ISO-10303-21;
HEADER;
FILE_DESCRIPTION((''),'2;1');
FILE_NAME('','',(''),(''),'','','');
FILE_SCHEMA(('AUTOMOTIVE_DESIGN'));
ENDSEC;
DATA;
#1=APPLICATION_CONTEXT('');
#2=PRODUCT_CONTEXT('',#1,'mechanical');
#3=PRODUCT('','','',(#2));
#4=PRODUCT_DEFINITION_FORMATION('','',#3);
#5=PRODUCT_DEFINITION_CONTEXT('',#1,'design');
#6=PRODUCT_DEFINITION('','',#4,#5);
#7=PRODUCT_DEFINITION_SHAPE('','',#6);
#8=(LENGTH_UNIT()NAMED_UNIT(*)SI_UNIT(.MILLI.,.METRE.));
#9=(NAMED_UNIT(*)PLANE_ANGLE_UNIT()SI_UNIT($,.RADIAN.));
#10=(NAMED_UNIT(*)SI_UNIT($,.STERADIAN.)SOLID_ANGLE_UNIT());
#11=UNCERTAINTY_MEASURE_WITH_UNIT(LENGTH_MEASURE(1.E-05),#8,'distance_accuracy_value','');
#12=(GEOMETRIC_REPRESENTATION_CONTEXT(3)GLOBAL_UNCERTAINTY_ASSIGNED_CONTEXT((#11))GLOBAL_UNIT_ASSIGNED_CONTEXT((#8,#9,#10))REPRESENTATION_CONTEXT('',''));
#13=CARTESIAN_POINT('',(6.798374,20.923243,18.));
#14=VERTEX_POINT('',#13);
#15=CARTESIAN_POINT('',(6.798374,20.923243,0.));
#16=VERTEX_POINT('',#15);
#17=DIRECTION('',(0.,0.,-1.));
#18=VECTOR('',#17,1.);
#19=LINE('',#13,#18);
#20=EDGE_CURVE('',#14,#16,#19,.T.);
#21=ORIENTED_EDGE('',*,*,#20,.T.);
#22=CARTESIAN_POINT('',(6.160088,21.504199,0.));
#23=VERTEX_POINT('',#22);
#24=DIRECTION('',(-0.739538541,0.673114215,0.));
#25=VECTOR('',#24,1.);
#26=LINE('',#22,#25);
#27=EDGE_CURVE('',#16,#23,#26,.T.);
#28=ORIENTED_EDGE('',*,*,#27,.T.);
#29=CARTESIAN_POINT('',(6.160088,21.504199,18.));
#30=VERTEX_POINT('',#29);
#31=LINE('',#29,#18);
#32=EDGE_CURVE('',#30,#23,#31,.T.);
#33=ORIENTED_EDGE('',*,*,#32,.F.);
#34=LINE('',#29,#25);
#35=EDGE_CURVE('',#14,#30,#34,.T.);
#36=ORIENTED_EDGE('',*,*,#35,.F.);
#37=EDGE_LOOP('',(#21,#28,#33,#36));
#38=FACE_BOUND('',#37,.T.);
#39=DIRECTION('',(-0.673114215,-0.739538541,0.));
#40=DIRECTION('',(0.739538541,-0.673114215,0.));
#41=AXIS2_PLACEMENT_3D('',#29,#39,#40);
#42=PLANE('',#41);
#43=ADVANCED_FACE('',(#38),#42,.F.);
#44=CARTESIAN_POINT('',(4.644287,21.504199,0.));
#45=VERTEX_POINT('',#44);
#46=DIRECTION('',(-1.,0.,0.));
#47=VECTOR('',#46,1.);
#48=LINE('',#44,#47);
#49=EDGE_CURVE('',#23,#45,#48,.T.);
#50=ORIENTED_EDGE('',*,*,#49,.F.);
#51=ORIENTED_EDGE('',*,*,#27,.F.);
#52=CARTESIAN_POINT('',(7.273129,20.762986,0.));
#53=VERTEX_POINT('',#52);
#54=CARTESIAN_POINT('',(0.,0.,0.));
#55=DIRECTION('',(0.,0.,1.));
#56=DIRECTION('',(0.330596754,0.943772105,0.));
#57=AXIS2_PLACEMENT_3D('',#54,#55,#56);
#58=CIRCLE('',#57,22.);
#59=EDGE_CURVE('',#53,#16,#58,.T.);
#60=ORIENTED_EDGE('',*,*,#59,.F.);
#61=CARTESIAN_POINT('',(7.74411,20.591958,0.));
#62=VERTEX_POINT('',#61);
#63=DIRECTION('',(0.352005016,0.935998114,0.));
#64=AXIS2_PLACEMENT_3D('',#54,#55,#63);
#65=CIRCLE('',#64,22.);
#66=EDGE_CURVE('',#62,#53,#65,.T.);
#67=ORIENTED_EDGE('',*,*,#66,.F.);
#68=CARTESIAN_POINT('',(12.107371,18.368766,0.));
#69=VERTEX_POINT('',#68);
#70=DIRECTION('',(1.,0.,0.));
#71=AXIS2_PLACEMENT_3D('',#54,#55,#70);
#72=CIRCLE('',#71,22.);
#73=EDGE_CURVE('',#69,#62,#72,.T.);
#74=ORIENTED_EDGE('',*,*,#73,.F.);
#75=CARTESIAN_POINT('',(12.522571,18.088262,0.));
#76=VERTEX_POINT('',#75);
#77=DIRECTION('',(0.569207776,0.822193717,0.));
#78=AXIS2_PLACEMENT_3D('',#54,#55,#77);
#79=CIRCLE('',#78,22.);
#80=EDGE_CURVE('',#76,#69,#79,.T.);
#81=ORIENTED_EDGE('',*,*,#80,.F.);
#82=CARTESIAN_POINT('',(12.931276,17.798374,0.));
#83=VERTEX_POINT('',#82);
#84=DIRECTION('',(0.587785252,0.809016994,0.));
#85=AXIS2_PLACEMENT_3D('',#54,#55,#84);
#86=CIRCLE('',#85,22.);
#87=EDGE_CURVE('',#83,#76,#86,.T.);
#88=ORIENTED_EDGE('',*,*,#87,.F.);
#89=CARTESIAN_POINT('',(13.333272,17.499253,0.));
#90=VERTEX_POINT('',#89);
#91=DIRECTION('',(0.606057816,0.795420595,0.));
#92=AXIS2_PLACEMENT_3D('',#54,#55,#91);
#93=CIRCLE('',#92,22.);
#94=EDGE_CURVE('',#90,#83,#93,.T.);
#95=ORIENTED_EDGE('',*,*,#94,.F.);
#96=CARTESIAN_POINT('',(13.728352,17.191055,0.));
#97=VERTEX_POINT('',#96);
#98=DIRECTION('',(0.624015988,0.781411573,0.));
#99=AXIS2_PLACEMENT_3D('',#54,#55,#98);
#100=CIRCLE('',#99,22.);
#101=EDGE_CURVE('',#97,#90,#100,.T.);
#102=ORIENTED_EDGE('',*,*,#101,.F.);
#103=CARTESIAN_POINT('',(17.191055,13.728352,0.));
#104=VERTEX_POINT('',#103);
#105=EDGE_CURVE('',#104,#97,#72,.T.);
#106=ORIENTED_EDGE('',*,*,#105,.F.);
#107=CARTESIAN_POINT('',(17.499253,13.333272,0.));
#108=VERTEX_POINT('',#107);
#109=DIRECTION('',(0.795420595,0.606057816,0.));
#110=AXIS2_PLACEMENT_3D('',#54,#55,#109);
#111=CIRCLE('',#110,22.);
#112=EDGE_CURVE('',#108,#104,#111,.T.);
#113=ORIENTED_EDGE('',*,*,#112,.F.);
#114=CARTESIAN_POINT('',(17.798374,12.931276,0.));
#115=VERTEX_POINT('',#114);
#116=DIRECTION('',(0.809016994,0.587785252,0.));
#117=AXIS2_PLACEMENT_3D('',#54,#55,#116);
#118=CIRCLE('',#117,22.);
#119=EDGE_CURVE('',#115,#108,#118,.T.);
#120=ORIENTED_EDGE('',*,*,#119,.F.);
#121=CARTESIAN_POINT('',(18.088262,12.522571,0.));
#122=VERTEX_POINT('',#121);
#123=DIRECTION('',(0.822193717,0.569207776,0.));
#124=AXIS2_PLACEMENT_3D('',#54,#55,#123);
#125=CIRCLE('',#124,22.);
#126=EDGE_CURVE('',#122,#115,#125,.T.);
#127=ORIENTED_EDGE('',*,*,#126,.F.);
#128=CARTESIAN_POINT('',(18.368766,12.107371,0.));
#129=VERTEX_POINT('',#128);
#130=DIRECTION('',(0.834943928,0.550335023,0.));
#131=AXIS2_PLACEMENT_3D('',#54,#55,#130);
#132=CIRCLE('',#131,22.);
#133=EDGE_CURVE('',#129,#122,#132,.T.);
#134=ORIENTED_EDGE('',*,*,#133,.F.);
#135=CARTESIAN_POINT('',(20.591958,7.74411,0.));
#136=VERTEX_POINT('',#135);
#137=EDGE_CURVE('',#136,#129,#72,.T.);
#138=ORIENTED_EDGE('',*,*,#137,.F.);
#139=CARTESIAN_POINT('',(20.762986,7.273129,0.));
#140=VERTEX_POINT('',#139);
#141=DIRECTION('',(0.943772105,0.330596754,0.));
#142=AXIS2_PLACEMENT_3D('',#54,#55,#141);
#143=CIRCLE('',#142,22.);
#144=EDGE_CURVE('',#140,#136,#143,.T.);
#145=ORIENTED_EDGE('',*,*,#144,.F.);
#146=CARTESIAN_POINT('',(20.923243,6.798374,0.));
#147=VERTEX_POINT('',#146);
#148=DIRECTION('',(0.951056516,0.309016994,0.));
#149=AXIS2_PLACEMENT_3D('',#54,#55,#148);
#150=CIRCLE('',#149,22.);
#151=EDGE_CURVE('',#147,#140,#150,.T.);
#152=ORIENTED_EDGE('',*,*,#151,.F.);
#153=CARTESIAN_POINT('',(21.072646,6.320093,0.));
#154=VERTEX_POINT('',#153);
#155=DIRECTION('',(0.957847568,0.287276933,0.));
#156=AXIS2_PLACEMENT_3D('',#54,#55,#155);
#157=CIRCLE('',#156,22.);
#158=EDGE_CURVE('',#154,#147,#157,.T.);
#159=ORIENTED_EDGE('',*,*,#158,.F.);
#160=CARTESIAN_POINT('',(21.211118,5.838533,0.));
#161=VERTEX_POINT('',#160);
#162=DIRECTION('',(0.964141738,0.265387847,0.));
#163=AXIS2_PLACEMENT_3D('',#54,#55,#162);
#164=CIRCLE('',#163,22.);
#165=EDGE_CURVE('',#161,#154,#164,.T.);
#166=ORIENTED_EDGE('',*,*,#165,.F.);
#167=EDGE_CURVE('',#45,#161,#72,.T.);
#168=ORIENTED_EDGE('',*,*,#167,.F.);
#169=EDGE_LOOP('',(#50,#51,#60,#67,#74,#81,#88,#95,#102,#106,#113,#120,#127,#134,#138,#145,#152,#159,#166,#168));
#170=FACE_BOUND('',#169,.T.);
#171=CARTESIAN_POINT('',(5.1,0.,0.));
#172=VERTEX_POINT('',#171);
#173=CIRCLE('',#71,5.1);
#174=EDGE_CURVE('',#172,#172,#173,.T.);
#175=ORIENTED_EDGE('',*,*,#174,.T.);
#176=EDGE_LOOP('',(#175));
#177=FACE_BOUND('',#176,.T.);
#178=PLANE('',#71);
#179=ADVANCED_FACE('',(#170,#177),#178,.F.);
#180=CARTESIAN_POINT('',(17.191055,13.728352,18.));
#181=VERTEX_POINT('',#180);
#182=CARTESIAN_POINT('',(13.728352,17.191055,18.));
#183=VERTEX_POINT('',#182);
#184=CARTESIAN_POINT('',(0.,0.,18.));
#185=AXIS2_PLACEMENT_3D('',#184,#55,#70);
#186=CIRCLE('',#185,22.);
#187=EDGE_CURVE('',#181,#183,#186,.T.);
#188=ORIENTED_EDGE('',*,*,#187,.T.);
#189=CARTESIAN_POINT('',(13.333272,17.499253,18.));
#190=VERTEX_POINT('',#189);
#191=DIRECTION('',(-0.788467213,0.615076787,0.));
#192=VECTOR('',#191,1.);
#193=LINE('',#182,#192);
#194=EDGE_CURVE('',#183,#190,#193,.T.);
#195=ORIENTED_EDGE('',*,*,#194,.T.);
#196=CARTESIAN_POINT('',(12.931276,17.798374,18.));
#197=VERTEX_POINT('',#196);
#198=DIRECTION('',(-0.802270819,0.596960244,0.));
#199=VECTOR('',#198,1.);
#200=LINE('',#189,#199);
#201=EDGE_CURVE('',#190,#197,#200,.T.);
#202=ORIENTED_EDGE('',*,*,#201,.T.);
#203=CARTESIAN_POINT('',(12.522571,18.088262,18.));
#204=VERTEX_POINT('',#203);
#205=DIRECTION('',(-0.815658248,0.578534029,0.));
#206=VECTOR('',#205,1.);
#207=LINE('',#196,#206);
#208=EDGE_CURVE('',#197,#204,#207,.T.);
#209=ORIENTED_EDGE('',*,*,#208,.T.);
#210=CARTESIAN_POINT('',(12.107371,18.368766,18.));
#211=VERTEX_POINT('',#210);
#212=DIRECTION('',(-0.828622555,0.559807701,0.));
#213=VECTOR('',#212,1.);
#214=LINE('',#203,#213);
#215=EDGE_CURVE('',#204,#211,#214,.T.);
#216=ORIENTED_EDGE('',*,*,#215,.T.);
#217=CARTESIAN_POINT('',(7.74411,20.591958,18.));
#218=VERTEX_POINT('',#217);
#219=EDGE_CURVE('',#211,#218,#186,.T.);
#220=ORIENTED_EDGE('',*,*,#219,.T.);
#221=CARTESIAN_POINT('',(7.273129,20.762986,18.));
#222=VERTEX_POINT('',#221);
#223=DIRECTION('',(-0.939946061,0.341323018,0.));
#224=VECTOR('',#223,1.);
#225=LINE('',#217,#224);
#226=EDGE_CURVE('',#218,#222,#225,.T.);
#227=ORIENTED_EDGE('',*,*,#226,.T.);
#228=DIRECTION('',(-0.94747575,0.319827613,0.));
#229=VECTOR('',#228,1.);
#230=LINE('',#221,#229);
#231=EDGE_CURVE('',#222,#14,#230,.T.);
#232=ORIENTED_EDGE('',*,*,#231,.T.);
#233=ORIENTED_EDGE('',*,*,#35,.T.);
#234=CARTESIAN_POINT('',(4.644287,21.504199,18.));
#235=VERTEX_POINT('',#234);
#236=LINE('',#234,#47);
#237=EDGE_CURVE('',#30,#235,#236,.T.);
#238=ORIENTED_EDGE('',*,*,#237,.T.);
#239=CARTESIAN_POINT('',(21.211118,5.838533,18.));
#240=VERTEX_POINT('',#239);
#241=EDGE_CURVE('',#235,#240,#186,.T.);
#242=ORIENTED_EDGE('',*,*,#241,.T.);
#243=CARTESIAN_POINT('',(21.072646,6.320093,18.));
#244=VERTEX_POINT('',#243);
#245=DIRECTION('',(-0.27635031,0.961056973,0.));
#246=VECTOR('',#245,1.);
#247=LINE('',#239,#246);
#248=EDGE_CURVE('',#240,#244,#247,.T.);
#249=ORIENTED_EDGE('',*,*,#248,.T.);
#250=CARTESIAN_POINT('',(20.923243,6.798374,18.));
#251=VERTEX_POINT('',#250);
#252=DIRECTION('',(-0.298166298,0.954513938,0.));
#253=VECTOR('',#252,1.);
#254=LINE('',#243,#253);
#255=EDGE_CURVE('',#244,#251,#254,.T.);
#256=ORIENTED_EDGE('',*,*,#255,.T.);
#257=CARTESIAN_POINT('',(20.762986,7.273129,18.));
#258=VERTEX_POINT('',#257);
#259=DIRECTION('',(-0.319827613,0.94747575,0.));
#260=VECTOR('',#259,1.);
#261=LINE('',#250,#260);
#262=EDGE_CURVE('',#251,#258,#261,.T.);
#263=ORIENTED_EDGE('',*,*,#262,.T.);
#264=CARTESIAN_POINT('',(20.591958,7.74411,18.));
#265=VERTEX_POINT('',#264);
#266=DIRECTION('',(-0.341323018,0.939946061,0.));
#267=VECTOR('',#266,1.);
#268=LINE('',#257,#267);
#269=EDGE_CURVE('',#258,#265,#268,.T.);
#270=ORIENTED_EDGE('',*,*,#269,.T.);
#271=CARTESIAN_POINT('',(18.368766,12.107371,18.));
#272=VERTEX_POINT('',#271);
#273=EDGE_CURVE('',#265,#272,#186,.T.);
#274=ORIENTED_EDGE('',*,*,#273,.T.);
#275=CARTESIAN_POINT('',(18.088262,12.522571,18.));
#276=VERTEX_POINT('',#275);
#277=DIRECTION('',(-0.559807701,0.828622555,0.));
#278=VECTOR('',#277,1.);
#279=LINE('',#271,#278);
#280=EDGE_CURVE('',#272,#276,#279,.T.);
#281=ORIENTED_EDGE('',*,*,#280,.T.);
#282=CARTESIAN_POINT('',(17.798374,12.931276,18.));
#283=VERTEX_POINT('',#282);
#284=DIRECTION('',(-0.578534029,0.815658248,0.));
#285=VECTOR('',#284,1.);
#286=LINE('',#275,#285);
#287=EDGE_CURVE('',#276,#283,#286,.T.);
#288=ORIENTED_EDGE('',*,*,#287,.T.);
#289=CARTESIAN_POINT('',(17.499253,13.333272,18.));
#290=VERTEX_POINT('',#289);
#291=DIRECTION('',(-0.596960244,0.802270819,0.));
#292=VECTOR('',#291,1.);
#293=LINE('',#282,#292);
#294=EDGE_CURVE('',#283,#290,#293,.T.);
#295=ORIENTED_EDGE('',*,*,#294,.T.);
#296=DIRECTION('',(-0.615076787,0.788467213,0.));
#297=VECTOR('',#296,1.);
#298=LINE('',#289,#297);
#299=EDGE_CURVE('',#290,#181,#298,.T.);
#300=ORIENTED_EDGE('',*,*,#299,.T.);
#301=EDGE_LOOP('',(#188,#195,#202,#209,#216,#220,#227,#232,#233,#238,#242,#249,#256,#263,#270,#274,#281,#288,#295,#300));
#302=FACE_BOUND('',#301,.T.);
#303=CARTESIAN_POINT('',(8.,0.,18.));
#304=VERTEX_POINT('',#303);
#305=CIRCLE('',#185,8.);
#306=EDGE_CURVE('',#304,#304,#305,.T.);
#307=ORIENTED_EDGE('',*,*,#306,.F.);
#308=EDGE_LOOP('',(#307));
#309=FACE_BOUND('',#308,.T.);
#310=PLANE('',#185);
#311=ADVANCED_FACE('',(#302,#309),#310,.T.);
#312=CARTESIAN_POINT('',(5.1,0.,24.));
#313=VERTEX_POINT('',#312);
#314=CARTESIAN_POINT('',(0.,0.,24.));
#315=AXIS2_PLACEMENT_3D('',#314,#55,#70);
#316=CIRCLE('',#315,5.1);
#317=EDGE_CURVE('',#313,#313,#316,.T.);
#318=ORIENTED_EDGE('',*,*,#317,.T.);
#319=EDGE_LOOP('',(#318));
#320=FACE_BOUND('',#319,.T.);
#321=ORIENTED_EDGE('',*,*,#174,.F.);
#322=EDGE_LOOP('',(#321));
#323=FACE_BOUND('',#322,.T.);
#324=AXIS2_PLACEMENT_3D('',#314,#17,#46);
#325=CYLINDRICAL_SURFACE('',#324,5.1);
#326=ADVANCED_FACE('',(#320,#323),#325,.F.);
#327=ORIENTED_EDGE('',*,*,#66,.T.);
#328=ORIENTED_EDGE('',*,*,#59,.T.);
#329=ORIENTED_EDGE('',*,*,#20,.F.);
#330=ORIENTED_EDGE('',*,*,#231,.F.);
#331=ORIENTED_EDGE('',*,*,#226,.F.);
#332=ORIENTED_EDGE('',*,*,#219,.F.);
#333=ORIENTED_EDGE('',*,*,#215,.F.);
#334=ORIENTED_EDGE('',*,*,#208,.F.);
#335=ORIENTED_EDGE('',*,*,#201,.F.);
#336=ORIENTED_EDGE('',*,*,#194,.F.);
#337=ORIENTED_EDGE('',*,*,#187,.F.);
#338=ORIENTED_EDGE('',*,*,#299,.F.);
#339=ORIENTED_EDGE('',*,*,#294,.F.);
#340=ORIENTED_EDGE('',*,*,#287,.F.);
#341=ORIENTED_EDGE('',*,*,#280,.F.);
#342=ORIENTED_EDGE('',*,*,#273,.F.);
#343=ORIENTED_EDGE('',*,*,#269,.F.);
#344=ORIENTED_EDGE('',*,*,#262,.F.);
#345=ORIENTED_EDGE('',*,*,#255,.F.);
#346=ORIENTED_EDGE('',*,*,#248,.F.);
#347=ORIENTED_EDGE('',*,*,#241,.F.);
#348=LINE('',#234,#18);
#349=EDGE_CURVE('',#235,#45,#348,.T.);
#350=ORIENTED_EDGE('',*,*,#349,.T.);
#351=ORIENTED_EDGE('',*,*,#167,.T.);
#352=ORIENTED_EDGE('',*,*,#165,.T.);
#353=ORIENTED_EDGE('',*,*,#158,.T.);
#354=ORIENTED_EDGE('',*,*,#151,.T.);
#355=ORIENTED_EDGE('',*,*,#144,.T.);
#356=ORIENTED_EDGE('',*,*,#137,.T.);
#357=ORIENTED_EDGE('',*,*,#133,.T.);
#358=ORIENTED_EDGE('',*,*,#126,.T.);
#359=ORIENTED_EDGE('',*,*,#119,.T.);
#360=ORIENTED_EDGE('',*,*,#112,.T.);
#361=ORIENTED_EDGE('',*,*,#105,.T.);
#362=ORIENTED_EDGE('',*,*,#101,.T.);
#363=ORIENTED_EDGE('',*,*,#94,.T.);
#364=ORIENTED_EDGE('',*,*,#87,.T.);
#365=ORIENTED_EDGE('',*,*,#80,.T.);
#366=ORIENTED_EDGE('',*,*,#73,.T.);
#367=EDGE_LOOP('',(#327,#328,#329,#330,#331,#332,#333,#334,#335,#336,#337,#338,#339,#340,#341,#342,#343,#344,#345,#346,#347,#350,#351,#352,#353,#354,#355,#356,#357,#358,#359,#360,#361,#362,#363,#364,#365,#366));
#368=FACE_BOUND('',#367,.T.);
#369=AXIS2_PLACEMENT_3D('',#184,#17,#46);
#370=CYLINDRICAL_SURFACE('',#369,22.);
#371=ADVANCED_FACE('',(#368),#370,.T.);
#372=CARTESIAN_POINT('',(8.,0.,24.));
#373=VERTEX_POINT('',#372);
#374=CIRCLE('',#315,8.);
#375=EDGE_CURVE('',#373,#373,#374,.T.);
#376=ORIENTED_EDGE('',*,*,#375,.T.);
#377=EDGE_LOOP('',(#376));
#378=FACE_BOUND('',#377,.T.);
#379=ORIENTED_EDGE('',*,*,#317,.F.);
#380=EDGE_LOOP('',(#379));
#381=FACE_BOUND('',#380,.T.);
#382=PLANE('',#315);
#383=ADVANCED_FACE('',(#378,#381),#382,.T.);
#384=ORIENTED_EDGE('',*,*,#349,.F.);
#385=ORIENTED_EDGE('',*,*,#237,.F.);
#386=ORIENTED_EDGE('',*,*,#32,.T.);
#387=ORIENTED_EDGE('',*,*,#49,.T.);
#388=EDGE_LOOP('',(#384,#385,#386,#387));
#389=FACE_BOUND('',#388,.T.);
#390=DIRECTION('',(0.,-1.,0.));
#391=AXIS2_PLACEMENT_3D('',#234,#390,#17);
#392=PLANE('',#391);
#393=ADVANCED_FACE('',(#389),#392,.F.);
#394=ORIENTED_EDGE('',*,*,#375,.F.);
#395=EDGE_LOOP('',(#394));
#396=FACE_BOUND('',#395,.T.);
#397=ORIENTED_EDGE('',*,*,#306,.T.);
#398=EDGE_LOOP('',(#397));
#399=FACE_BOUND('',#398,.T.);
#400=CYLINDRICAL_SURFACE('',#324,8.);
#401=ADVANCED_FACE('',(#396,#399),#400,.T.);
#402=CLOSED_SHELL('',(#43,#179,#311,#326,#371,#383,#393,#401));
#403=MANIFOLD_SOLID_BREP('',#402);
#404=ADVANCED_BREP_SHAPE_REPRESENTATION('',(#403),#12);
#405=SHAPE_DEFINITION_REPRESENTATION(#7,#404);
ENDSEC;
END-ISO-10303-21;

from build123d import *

# Parameters (mm, degrees)
SKETCH_1_R      = 8
SKETCH_1_R_2    = 5.1
EXTRUDE_1_DEPTH = 24
SKETCH_1_2_R    = 8
SKETCH_1_2_R_2  = 5.1
EXTRUDE_2_DEPTH = 24
SKETCH_2_R      = 22
SKETCH_2_R_2    = 8
EXTRUDE_3_DEPTH = 18
EXTRUDE_5_DEPTH = 18
EXTRUDE_6_DEPTH = 18
EXTRUDE_7_DEPTH = 18
EXTRUDE_8_DEPTH = 18


with BuildPart() as part:
    # 草图1 → 凸台-拉伸1 (new body)
    with BuildSketch(Plane.XY):
        Circle(SKETCH_1_R)
        Circle(SKETCH_1_R_2, mode=Mode.SUBTRACT)
    extrude(amount=EXTRUDE_1_DEPTH)

    # 草图1<2> → 凸台-拉伸2 (add)
    with BuildSketch(Plane.XY):
        Circle(SKETCH_1_2_R)
        Circle(SKETCH_1_2_R_2, mode=Mode.SUBTRACT)
    extrude(amount=EXTRUDE_2_DEPTH)

    # 草图2 → 凸台-拉伸3 (add)
    with BuildSketch(Plane.XY):
        Circle(SKETCH_2_R)
        Circle(SKETCH_2_R_2, mode=Mode.SUBTRACT)
    extrude(amount=EXTRUDE_3_DEPTH)

    # 草图4 → 凸台-拉伸5 (add)
    with BuildSketch(Plane.XY):
        with BuildLine():
            Line((16.379966987, 6.160087784), (20.591958498, 7.744110358))
            Line((20.591958498, 7.744110358), (20.762986314, 7.27312858))
            Line((20.762986314, 7.27312858), (20.923243358, 6.798373876))
            Line((20.923243358, 6.798373876), (21.072646499, 6.320092525))
            Line((21.072646499, 6.320092525), (21.211118232, 5.838532635))
            Line((21.211118232, 5.838532635), (16.872480412, 4.644287323))
            ThreePointArc((16.872480412, 4.644287323), (16.643489035, 5.407797402), (16.379966987, 6.160087784))
        make_face()
    extrude(amount=EXTRUDE_5_DEPTH)

    # 草图5 → 凸台-拉伸6 (add)
    with BuildSketch(Plane.XY):
        with BuildLine():
            Line((13.674702527, 10.920279795), (17.191054606, 13.728351742))
            Line((17.191054606, 13.728351742), (17.499253098, 13.333271955))
            Line((17.499253098, 13.333271955), (17.798373876, 12.93127555))
            Line((17.798373876, 12.93127555), (18.088261772, 12.522571065))
            Line((18.088261772, 12.522571065), (18.368766406, 12.107370512))
            Line((18.368766406, 12.107370512), (14.611518732, 9.630862907))
            ThreePointArc((14.611518732, 9.630862907), (14.157797402, 10.286241915), (13.674702527, 10.920279795))
        make_face()
    extrude(amount=EXTRUDE_6_DEPTH)

    # 草图6 → 凸台-拉伸7 (add)
    with BuildSketch(Plane.XY):
        with BuildLine():
            Line((9.630862907, 14.611518732), (12.107370512, 18.368766406))
            Line((12.107370512, 18.368766406), (12.522571065, 18.088261772))
            Line((12.522571065, 18.088261772), (12.93127555, 17.798373876))
            Line((12.93127555, 17.798373876), (13.333271955, 17.499253098))
            Line((13.333271955, 17.499253098), (13.728351742, 17.191054606))
            Line((13.728351742, 17.191054606), (10.920279795, 13.674702527))
            ThreePointArc((10.920279795, 13.674702527), (10.286241915, 14.157797402), (9.630862907, 14.611518732))
        make_face()
    extrude(amount=EXTRUDE_7_DEPTH)

    # 草图7 → 凸台-拉伸8 (add)
    with BuildSketch(Plane.XY):
        with BuildLine():
            Line((4.644287323, 16.872480412), (4.644287323, 21.50419948))
            Line((4.644287323, 21.50419948), (6.160087784, 21.50419948))
            Line((6.160087784, 21.50419948), (6.798373876, 20.923243358))
            Line((6.798373876, 20.923243358), (7.27312858, 20.762986314))
            Line((7.27312858, 20.762986314), (7.744110358, 20.591958498))
            Line((7.744110358, 20.591958498), (6.160087784, 16.379966987))
            ThreePointArc((6.160087784, 16.379966987), (5.407797402, 16.643489035), (4.644287323, 16.872480412))
        make_face()
    extrude(amount=EXTRUDE_8_DEPTH)


solid = part.part
